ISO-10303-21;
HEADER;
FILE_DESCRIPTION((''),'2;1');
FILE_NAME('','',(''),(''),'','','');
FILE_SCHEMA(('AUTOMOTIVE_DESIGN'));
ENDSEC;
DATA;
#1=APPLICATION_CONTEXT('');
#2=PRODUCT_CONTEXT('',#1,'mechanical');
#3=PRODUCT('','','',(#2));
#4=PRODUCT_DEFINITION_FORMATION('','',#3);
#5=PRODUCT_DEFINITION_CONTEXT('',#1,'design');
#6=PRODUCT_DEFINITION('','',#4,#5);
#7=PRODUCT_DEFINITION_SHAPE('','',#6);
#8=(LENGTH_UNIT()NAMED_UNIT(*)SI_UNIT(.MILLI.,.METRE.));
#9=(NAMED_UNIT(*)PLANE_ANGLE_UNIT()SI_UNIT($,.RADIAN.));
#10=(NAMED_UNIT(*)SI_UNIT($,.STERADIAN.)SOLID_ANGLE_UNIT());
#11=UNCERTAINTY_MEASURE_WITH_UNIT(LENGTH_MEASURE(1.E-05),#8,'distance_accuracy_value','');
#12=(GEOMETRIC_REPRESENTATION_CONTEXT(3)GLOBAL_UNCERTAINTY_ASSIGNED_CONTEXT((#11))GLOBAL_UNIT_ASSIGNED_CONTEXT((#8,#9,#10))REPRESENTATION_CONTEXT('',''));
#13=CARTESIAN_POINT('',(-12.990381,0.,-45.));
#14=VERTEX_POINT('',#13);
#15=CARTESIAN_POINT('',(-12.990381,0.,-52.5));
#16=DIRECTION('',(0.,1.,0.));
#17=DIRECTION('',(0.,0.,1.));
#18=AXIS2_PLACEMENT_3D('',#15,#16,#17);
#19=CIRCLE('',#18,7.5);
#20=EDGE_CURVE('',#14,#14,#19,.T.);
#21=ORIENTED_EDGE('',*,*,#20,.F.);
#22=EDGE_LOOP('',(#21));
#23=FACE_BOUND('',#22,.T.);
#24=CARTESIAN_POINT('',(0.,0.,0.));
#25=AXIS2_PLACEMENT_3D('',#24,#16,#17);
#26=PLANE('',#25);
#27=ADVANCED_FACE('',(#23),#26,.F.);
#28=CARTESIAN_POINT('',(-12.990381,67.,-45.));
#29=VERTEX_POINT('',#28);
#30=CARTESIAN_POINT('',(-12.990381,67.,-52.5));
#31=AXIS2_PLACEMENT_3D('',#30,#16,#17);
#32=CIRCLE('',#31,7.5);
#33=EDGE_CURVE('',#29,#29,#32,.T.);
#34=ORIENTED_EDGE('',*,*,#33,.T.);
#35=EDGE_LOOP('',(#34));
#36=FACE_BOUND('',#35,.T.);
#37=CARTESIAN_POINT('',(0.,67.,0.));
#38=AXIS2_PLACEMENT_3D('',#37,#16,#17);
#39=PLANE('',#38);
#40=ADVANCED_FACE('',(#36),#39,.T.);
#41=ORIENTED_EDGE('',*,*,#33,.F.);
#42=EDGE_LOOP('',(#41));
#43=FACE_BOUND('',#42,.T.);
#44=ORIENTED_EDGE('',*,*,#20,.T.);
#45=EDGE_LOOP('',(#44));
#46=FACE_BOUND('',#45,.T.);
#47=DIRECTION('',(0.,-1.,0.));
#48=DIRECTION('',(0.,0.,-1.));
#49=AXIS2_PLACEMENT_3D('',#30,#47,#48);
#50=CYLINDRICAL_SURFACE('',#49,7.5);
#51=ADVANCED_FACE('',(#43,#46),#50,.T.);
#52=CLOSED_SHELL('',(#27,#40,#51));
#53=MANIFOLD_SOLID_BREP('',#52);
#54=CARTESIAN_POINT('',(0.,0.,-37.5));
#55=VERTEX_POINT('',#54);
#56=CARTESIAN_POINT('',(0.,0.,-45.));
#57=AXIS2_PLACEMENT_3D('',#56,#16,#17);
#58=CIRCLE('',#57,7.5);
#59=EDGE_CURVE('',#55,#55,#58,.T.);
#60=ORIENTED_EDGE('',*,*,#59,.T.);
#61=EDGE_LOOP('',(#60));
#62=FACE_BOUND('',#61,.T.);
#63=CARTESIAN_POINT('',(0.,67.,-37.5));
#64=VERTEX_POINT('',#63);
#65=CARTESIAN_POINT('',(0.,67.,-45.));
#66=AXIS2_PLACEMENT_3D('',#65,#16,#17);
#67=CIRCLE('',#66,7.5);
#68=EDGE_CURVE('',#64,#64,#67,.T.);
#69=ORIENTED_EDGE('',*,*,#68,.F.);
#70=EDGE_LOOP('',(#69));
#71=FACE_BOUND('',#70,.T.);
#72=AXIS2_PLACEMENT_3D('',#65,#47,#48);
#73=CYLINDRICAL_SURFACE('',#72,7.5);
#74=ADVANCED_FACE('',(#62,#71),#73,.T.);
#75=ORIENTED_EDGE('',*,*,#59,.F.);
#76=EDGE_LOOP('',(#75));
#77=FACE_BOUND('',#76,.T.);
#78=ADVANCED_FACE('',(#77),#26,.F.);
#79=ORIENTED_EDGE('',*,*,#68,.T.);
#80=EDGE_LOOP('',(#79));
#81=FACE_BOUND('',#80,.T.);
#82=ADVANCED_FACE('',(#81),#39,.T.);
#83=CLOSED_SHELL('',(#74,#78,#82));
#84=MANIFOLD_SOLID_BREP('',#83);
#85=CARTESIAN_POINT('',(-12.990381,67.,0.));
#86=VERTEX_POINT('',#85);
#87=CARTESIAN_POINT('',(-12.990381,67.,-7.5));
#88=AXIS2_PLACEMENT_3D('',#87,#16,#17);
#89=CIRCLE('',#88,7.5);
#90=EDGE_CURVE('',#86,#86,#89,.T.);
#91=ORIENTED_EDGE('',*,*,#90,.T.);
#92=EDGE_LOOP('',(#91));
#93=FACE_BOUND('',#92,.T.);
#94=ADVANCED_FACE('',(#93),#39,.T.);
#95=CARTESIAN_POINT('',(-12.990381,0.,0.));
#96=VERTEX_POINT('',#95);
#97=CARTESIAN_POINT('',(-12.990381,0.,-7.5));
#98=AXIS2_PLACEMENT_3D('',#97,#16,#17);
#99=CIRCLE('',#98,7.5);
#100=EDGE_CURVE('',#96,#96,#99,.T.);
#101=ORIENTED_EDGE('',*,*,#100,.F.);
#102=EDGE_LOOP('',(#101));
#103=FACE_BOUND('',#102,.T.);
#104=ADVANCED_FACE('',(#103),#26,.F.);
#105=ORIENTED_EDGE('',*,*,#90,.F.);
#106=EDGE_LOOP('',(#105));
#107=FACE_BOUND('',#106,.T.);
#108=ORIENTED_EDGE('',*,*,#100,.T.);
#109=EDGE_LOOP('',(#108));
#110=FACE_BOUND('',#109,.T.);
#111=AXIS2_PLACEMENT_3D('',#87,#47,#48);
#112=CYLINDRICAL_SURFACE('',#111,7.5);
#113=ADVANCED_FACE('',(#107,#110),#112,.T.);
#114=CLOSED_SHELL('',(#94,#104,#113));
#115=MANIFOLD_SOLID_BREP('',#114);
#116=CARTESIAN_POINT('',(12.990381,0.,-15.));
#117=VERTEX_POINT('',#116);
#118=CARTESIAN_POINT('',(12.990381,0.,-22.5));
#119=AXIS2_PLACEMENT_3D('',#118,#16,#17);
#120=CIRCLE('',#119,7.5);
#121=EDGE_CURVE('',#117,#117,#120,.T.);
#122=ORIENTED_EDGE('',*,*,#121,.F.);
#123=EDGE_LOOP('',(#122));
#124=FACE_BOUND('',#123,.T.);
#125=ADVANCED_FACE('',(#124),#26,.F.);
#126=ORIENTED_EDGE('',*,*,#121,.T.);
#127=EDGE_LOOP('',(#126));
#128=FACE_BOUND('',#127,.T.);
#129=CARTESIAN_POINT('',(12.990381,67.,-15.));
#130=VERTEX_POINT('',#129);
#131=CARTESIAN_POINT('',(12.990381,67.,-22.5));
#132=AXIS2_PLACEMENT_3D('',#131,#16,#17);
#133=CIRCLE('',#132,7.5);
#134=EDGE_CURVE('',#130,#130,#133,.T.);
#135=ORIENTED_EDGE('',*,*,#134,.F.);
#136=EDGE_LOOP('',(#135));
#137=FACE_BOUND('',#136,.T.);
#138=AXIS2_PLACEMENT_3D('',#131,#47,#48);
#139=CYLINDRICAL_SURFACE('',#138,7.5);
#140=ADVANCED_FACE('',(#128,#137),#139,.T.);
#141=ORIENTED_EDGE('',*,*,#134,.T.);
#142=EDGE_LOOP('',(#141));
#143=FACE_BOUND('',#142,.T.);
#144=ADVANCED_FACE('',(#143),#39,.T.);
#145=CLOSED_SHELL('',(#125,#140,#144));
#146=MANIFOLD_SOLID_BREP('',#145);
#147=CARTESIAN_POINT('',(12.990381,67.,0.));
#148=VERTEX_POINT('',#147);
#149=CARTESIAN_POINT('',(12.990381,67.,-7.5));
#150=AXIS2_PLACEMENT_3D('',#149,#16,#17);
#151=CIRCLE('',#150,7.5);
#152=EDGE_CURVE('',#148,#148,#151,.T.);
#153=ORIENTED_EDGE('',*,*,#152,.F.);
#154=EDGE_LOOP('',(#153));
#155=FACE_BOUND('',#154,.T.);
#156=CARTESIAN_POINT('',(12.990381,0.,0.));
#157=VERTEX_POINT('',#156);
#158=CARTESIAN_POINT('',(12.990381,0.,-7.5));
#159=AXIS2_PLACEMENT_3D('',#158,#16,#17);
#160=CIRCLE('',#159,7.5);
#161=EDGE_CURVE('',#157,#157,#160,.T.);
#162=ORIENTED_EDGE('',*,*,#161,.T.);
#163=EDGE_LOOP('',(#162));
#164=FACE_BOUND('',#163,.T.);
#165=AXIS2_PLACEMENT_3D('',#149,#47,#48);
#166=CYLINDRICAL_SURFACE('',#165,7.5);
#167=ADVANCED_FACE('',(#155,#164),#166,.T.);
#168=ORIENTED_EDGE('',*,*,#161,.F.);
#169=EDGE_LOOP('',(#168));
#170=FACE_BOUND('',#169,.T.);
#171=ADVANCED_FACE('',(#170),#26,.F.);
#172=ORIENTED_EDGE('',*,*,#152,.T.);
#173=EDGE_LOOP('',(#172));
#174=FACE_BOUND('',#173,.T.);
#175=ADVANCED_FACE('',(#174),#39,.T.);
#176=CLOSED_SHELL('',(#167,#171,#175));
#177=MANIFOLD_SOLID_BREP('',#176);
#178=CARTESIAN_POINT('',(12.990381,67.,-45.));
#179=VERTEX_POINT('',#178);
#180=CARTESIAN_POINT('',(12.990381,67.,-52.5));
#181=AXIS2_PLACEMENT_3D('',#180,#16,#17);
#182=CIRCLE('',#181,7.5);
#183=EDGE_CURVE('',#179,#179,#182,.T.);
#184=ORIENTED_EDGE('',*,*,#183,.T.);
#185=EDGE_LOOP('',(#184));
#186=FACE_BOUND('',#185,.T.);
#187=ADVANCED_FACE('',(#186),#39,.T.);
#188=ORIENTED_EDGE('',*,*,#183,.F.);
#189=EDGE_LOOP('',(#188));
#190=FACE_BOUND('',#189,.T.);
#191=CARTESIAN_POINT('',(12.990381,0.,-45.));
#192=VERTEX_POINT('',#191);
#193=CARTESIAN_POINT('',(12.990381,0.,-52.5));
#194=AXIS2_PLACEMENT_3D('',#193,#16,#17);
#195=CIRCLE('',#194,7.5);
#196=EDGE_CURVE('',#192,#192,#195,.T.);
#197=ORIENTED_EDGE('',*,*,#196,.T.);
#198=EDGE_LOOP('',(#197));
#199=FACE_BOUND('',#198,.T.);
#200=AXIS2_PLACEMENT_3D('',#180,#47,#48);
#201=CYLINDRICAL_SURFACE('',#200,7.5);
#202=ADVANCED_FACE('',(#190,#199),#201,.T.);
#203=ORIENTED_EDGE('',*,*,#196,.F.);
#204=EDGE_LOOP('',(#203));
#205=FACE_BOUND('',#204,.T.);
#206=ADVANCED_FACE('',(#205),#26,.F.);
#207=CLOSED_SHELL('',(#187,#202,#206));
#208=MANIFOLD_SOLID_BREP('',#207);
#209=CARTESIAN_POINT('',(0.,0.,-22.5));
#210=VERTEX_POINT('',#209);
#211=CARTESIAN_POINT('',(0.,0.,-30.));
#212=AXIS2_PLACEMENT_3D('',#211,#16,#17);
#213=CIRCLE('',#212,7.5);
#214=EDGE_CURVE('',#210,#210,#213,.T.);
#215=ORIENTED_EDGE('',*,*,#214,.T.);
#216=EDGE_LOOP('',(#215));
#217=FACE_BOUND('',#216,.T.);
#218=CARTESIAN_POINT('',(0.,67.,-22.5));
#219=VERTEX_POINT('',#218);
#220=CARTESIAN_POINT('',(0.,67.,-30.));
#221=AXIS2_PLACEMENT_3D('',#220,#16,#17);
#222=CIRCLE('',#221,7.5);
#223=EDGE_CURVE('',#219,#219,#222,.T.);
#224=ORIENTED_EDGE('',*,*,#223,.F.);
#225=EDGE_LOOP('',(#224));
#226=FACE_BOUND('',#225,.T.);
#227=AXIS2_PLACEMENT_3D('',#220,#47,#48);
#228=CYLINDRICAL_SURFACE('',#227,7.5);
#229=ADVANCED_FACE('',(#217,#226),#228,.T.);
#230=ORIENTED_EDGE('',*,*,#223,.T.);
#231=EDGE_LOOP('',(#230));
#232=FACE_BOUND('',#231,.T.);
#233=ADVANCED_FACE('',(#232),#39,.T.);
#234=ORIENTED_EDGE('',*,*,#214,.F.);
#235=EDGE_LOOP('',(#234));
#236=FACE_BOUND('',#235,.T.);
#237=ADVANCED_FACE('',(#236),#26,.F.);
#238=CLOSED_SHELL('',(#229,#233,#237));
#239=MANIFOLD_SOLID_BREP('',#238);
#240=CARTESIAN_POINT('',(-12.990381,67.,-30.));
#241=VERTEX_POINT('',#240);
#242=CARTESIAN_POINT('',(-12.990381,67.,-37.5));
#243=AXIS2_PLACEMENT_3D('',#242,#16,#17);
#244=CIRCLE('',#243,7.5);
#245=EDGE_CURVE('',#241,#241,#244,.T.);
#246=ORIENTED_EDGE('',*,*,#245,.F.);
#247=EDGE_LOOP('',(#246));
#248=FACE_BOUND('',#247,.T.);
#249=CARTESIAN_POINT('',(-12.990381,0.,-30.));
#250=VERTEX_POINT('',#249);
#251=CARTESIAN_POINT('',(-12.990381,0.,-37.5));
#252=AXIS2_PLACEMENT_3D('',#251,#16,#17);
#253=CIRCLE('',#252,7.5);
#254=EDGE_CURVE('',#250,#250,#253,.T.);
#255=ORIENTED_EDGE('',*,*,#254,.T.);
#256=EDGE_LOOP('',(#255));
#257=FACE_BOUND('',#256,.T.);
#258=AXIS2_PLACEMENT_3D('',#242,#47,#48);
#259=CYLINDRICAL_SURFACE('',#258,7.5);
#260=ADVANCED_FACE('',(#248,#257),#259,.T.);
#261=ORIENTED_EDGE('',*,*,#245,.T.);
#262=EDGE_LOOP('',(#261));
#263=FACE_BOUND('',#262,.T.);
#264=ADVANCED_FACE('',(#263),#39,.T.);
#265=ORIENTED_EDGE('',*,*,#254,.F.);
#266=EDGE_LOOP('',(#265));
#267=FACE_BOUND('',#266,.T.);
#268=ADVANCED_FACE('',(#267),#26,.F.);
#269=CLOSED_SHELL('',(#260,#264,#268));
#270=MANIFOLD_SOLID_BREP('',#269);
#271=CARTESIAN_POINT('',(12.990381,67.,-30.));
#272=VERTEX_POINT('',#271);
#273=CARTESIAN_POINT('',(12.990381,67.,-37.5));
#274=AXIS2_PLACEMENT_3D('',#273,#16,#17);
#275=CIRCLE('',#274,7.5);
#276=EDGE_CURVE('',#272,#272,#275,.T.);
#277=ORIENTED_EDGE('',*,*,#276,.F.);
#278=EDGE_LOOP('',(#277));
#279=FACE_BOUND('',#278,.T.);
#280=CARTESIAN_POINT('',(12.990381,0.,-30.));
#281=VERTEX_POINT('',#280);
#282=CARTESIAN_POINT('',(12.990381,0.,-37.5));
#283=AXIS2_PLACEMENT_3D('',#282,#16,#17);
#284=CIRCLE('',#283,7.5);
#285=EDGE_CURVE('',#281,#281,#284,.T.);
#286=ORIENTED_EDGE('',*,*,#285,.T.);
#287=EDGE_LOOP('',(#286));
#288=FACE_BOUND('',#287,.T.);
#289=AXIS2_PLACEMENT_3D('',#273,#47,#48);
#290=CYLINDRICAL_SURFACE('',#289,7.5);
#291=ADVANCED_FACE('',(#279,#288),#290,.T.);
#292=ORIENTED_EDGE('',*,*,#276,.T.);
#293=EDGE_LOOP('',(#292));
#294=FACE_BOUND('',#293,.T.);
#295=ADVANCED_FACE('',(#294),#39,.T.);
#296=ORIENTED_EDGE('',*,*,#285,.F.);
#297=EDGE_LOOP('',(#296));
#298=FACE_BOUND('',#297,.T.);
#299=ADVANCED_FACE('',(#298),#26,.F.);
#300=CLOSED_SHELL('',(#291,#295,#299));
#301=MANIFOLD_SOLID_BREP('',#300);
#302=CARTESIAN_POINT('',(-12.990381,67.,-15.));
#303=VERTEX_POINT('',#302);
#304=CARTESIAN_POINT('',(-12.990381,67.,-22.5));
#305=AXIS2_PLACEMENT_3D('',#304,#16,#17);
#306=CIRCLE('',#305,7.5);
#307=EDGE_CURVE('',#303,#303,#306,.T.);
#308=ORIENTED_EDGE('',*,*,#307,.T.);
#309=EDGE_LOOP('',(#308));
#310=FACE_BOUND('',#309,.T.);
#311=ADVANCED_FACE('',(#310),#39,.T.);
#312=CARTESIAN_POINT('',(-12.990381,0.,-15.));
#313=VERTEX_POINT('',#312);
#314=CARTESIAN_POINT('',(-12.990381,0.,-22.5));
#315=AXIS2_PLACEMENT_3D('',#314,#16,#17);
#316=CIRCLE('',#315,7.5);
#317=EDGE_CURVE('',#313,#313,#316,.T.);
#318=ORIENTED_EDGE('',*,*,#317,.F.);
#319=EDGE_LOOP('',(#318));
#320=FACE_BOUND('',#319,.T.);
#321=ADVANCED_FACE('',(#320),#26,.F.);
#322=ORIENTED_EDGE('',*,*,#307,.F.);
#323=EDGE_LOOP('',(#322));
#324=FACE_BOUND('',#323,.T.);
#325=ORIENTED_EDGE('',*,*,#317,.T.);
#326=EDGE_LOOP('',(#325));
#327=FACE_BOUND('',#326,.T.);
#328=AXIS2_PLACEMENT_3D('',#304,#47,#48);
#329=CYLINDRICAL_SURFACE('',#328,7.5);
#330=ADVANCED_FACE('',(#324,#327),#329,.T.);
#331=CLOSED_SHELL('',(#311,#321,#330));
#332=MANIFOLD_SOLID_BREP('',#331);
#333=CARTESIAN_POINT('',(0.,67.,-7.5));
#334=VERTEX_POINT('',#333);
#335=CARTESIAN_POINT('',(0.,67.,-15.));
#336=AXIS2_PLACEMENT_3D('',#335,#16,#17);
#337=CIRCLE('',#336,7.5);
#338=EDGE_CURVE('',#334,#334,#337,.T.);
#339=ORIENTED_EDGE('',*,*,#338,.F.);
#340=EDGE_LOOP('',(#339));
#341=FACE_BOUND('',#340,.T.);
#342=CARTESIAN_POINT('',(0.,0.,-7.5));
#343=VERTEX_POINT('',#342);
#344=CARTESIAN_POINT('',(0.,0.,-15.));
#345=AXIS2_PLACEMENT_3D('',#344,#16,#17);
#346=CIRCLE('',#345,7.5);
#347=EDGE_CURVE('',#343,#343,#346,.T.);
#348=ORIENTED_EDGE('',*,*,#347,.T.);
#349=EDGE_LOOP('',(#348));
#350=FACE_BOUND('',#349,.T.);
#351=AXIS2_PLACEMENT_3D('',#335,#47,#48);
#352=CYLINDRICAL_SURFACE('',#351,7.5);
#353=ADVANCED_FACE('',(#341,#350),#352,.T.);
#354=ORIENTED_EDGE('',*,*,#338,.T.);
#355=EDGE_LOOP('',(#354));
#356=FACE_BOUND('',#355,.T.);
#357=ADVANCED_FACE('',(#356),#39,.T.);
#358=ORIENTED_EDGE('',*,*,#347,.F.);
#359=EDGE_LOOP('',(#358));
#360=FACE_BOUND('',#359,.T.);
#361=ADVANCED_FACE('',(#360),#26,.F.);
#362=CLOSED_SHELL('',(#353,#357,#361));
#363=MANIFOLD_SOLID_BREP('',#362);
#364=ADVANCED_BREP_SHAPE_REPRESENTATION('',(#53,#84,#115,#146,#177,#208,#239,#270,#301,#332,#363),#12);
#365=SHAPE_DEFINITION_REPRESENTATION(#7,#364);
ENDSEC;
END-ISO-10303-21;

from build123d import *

# Parameters (mm, degrees)
SKETCH1_R              = 7.5
BOSS_EXTRUDE1_DEPTH    = 67
BOSS_EXTRUDE1_2_DEPTH  = 67
BOSS_EXTRUDE1_3_DEPTH  = 67
BOSS_EXTRUDE1_4_DEPTH  = 67
BOSS_EXTRUDE1_5_DEPTH  = 67
BOSS_EXTRUDE1_6_DEPTH  = 67
BOSS_EXTRUDE1_7_DEPTH  = 67
BOSS_EXTRUDE1_8_DEPTH  = 67
BOSS_EXTRUDE1_9_DEPTH  = 67
BOSS_EXTRUDE1_10_DEPTH = 67
BOSS_EXTRUDE1_11_DEPTH = 67


with BuildPart() as part:
    # Sketch1 → Boss-Extrude1 (new body)
    with BuildSketch(Plane(origin=(0, 0, 0), x_dir=(1, 0, 0), z_dir=(0, 1, 0))):
        with Locations(Location((0, 30, 0), (0, 0, 270))):
            Circle(SKETCH1_R)
    extrude(amount=BOSS_EXTRUDE1_DEPTH)


with BuildPart() as body_2:
    # Sketch1 → Boss-Extrude1 2 (new body)
    with BuildSketch(Plane(origin=(0, 0, 0), x_dir=(1, 0, 0), z_dir=(0, 1, 0))):
        with Locations(Location((0, 45, 0), (0, 0, 270))):
            Circle(SKETCH1_R)
    extrude(amount=BOSS_EXTRUDE1_2_DEPTH)


with BuildPart() as body_3:
    # Sketch1 → Boss-Extrude1 3 (new body)
    with BuildSketch(Plane(origin=(0, 0, 0), x_dir=(1, 0, 0), z_dir=(0, 1, 0))):
        with Locations(Location((0, 15, 0), (0, 0, 270))):
            Circle(SKETCH1_R)
    extrude(amount=BOSS_EXTRUDE1_3_DEPTH)


with BuildPart() as body_4:
    # Sketch1 → Boss-Extrude1 4 (new body)
    with BuildSketch(Plane(origin=(0, 0, 0), x_dir=(1, 0, 0), z_dir=(0, 1, 0))):
        with Locations(Location((-12.990381057, 7.5, 0), (0, 0, 270))):
            Circle(SKETCH1_R)
    extrude(amount=BOSS_EXTRUDE1_4_DEPTH)


with BuildPart() as body_5:
    # Sketch1 → Boss-Extrude1 5 (new body)
    with BuildSketch(Plane(origin=(0, 0, 0), x_dir=(1, 0, 0), z_dir=(0, 1, 0))):
        with Locations(Location((-12.990381057, 22.5, 0), (0, 0, 270))):
            Circle(SKETCH1_R)
    extrude(amount=BOSS_EXTRUDE1_5_DEPTH)


with BuildPart() as body_6:
    # Sketch1 → Boss-Extrude1 6 (new body)
    with BuildSketch(Plane(origin=(0, 0, 0), x_dir=(1, 0, 0), z_dir=(0, 1, 0))):
        with Locations(Location((-12.990381057, 37.5, 0), (0, 0, 270))):
            Circle(SKETCH1_R)
    extrude(amount=BOSS_EXTRUDE1_6_DEPTH)


with BuildPart() as body_7:
    # Sketch1 → Boss-Extrude1 7 (new body)
    with BuildSketch(Plane(origin=(0, 0, 0), x_dir=(1, 0, 0), z_dir=(0, 1, 0))):
        with Locations(Location((-12.990381057, 52.5, 0), (0, 0, 270))):
            Circle(SKETCH1_R)
    extrude(amount=BOSS_EXTRUDE1_7_DEPTH)


with BuildPart() as body_8:
    # Sketch1 → Boss-Extrude1 8 (new body)
    with BuildSketch(Plane(origin=(0, 0, 0), x_dir=(1, 0, 0), z_dir=(0, 1, 0))):
        with Locations(Location((12.990381057, 7.5, 0), (0, 0, 270))):
            Circle(SKETCH1_R)
    extrude(amount=BOSS_EXTRUDE1_8_DEPTH)


with BuildPart() as body_9:
    # Sketch1 → Boss-Extrude1 9 (new body)
    with BuildSketch(Plane(origin=(0, 0, 0), x_dir=(1, 0, 0), z_dir=(0, 1, 0))):
        with Locations(Location((12.990381057, 22.5, 0), (0, 0, 270))):
            Circle(SKETCH1_R)
    extrude(amount=BOSS_EXTRUDE1_9_DEPTH)


with BuildPart() as body_10:
    # Sketch1 → Boss-Extrude1 10 (new body)
    with BuildSketch(Plane(origin=(0, 0, 0), x_dir=(1, 0, 0), z_dir=(0, 1, 0))):
        with Locations(Location((12.990381057, 37.5, 0), (0, 0, 270))):
            Circle(SKETCH1_R)
    extrude(amount=BOSS_EXTRUDE1_10_DEPTH)


with BuildPart() as body_11:
    # Sketch1 → Boss-Extrude1 11 (new body)
    with BuildSketch(Plane(origin=(0, 0, 0), x_dir=(1, 0, 0), z_dir=(0, 1, 0))):
        with Locations(Location((12.990381057, 52.5, 0), (0, 0, 270))):
            Circle(SKETCH1_R)
    extrude(amount=BOSS_EXTRUDE1_11_DEPTH)


solid = Compound([part.part, body_2.part, body_3.part, body_4.part, body_5.part, body_6.part, body_7.part, body_8.part, body_9.part, body_10.part, body_11.part])
